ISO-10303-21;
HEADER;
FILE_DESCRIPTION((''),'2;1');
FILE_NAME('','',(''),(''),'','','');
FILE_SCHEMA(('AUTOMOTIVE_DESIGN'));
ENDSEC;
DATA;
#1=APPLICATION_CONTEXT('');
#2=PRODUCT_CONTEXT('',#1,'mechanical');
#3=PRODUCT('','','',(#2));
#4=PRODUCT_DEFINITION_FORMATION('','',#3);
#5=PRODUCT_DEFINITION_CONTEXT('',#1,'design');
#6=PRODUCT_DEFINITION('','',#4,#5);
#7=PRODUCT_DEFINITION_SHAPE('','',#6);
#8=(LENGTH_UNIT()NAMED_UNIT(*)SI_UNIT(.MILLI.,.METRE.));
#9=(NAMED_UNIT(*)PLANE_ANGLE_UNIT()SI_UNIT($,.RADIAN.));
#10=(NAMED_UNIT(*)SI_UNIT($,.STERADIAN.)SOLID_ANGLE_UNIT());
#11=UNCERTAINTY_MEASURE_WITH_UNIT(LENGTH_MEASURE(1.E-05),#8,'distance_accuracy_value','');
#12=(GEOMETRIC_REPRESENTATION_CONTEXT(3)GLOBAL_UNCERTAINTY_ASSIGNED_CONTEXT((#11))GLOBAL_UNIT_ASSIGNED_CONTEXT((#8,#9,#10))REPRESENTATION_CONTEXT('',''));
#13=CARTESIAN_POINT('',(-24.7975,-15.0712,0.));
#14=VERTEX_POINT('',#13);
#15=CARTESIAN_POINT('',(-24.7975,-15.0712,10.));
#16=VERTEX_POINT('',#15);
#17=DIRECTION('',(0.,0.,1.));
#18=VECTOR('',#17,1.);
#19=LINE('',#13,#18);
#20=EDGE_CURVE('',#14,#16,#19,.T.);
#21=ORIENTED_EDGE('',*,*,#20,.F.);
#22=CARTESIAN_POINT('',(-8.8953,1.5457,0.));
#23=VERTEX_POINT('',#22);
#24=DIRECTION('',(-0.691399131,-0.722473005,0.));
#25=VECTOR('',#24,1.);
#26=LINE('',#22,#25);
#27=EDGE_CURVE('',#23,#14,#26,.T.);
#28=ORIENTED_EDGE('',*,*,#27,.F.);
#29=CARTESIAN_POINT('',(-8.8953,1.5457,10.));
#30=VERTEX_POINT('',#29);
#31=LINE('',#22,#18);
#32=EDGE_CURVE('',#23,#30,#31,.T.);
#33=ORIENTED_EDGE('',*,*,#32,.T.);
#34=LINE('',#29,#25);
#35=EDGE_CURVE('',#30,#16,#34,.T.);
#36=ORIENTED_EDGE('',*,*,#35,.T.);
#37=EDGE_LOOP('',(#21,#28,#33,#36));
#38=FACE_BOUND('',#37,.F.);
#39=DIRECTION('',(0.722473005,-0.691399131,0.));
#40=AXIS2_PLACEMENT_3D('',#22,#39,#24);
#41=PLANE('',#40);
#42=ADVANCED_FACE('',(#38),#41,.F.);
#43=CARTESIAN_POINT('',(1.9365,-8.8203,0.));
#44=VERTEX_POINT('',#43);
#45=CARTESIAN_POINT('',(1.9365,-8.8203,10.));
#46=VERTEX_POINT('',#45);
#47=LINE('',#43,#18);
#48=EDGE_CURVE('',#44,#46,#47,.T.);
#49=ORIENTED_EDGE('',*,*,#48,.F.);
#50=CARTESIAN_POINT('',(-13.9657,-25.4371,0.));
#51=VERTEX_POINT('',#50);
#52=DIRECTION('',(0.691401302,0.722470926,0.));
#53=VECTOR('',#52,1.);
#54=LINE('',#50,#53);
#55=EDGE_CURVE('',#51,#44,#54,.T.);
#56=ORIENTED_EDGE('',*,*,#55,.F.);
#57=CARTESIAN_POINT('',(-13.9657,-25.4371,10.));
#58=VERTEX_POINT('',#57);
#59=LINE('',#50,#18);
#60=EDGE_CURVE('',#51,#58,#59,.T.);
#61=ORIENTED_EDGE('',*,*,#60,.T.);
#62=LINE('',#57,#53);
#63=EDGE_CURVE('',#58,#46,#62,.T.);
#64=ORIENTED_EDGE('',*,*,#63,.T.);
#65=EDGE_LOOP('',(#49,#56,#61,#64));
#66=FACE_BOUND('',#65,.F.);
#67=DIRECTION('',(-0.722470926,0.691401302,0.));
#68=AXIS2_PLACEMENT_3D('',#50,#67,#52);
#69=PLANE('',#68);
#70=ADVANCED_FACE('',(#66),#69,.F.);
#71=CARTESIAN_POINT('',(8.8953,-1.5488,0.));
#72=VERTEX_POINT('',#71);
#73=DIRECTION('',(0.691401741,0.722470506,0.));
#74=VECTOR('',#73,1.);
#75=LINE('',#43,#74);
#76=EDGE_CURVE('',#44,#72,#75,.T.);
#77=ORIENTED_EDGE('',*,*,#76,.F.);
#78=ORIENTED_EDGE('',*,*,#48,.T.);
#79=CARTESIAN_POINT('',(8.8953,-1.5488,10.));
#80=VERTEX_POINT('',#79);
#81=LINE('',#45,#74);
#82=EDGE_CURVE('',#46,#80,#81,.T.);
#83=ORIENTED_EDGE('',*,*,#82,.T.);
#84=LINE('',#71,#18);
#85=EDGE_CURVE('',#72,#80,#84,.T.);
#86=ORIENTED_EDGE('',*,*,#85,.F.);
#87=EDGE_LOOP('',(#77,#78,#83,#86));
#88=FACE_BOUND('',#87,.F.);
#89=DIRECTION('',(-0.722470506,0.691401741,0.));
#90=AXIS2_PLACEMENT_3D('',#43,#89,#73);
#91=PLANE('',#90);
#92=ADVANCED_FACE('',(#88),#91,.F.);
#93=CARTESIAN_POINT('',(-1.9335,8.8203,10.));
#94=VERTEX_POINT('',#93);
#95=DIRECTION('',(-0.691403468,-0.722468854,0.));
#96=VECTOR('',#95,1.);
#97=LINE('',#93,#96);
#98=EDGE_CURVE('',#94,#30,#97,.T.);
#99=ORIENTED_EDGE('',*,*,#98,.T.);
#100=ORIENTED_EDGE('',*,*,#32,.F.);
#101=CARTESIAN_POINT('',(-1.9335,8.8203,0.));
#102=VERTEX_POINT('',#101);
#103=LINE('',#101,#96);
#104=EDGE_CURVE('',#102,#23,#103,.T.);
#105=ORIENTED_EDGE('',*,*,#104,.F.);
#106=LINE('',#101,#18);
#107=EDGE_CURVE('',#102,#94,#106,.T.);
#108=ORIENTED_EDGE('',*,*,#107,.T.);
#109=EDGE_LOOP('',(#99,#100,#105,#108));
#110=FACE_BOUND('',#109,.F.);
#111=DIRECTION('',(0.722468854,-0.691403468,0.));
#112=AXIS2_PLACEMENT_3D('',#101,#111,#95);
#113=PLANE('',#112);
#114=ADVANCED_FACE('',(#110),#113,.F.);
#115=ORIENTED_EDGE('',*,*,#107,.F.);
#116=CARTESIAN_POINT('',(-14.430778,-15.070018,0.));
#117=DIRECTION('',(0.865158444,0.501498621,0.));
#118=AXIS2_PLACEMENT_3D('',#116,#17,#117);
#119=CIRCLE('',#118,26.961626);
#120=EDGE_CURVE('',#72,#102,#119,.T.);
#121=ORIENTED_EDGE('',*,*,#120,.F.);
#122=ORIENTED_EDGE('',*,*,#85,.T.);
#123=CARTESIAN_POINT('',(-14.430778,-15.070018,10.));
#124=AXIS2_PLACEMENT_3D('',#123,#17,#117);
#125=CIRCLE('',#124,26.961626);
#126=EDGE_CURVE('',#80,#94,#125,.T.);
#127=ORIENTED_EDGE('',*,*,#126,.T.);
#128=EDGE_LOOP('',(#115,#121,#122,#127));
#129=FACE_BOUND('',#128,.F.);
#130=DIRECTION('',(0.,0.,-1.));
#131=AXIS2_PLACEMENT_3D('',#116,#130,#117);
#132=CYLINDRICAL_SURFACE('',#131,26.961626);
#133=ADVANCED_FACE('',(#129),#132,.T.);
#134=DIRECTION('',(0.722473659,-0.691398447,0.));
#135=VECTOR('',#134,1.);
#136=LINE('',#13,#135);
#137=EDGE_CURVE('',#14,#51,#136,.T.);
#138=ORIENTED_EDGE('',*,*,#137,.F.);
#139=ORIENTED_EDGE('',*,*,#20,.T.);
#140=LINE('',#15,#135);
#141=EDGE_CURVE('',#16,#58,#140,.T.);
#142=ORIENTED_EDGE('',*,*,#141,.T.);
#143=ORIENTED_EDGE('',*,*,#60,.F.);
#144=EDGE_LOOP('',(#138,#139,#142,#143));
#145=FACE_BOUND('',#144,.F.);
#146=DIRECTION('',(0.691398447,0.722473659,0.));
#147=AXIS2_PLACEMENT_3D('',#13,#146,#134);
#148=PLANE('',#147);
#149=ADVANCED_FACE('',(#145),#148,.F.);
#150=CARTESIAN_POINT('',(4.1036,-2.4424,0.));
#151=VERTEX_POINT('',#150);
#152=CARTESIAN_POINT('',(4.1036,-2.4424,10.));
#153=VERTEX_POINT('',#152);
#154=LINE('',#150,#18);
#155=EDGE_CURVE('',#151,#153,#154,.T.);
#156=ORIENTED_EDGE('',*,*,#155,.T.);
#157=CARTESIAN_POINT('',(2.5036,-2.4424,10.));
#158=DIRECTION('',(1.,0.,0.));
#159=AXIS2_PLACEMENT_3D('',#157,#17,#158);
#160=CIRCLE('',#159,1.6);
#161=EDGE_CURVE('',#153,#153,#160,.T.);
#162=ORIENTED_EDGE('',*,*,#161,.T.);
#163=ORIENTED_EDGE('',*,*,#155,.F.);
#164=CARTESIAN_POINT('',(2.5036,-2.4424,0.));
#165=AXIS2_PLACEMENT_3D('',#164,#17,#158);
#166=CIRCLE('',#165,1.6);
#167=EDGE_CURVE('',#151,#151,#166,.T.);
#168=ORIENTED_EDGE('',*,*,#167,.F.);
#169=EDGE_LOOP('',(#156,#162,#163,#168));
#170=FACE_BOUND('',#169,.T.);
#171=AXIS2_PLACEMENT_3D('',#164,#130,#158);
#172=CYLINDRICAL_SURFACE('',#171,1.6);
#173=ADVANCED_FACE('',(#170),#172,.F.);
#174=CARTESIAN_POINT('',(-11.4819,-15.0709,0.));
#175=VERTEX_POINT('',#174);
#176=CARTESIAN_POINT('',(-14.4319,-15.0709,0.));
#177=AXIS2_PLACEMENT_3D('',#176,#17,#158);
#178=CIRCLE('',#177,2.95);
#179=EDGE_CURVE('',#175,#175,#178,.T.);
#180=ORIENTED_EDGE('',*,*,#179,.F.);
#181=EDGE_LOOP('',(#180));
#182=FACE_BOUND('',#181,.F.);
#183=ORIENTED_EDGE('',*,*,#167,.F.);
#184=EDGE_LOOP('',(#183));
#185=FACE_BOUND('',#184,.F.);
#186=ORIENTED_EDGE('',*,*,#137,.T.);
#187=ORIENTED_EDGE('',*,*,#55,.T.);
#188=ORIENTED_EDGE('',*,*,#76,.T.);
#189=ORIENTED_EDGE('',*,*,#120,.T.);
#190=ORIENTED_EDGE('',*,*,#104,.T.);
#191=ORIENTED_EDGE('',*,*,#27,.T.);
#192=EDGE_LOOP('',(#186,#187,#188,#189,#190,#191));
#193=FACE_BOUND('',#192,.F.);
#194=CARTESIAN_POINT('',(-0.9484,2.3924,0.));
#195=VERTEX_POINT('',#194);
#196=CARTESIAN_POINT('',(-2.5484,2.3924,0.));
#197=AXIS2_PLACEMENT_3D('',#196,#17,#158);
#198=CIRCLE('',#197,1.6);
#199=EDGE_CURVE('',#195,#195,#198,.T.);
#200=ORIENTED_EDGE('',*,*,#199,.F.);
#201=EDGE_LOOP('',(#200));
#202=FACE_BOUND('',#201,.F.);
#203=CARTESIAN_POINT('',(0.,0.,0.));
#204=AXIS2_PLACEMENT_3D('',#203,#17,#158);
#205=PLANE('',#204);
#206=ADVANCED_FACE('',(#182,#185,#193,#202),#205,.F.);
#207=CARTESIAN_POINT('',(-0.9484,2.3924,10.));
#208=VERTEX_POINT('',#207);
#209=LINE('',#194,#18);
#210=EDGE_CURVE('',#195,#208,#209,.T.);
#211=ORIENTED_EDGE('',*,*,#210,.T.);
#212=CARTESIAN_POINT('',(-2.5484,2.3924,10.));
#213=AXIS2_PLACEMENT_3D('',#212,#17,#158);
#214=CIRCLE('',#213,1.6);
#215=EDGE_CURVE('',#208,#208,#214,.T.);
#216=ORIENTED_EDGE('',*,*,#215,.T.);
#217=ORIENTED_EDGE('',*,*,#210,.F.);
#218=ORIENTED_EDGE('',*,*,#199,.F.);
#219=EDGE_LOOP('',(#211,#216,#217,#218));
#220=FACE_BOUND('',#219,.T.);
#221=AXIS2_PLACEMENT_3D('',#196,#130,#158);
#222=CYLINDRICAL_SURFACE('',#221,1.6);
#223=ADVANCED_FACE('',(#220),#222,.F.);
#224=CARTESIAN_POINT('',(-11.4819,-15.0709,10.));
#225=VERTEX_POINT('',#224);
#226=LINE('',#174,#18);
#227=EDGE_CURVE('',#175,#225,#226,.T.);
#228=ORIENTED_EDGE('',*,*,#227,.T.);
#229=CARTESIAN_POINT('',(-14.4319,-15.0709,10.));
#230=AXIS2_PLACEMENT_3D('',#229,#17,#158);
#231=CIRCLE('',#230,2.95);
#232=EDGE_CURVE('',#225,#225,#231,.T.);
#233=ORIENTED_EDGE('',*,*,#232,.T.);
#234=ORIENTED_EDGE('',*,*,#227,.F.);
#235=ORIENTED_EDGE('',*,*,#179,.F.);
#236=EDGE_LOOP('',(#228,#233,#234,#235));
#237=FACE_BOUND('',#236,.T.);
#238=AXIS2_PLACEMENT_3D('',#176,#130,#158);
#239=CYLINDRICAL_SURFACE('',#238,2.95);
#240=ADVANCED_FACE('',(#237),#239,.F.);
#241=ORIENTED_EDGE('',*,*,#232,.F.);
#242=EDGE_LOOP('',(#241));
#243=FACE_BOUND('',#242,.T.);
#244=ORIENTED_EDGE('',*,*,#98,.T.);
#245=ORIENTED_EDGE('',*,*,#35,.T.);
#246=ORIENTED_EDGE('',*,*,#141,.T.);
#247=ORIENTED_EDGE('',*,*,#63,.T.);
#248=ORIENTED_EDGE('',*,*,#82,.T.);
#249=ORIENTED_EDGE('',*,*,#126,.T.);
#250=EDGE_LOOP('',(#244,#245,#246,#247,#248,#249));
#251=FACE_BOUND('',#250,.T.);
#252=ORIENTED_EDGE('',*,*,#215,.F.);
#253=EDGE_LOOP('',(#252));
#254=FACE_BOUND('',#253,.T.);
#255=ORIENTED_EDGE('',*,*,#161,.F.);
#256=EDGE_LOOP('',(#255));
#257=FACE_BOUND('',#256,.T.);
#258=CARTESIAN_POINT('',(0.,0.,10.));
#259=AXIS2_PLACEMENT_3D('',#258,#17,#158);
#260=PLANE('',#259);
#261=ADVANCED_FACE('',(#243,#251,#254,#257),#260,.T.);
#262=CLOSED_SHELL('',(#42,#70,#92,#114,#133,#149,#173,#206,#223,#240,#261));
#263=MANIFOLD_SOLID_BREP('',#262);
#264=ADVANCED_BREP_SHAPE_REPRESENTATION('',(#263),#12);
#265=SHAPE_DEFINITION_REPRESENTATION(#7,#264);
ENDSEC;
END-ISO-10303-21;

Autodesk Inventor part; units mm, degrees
ref_plane "YZ Plane" through (0, 0, 0) normal (1, 0, 0) x (0, 1, 0)
ref_plane "XZ Plane" through (0, 0, 0) normal (0, 1, 0) x (-1, 0, 0)
ref_plane "XY Plane" through (0, 0, 0) normal (0, 0, 1) x (1, 0, 0)
sketch "Skizze1" plane through (0, 0, 0) normal (0, 0, 1) x (1, 0, 0)
  circle A0 centre (2.5036, -2.4424) radius 1.4 construction
  circle A1 centre (-2.5484, 2.3924) radius 1.4 construction
  arc A2 (8.8953, -1.5488) -> (-1.9335, 8.8203) centre (-14.4319, -15.0709) ccw projected
  line L0 (-1.9335, 8.8203) -> (-8.8953, 1.5457) projected
  line L1 (-8.8953, 1.5457) -> (1.9365, -8.8203) projected
  line L2 (1.9365, -8.8203) -> (8.8953, -1.5488) projected
  arc A3 (-17.415, -14.7529) -> (-12.7255, -17.5384) centre (-14.4319, -15.0709) ccw projected
  line L3 (-8.8953, 1.5457) -> (-24.7975, -15.0712)
  line L4 (-24.7975, -15.0712) -> (-13.9657, -25.4371)
  line L5 (-13.9657, -25.4371) -> (1.9365, -8.8203)
  arc A4 (-13.2888, -12.8475) -> (-12.2085, -16.214) centre (-14.4319, -15.0709) ccw projected
  circle A5 centre (-14.4319, -15.0709) radius 2.95
  circle A6 centre (-2.5484, 2.3924) radius 1.6
  circle A7 centre (2.5036, -2.4424) radius 1.6
  point P0 (0, 0)
  dimension "d0" = 23
  dimension "d1" = 5.9
  dimension "d2" = 3.2
  dimension "d3" = 3.2
extrude "Extrusion1" add sketch "Skizze1" along normal blind 10
sketch "Skizze2" plane through (0, 0, 10) normal (0, 0, 1) x (1, 0, 0)
  point P0 (0, 0)
sketch "Skizze3" plane through (0, 0, 10) normal (0, 0, 1) x (1, 0, 0)
  point P0 (0, 0)
